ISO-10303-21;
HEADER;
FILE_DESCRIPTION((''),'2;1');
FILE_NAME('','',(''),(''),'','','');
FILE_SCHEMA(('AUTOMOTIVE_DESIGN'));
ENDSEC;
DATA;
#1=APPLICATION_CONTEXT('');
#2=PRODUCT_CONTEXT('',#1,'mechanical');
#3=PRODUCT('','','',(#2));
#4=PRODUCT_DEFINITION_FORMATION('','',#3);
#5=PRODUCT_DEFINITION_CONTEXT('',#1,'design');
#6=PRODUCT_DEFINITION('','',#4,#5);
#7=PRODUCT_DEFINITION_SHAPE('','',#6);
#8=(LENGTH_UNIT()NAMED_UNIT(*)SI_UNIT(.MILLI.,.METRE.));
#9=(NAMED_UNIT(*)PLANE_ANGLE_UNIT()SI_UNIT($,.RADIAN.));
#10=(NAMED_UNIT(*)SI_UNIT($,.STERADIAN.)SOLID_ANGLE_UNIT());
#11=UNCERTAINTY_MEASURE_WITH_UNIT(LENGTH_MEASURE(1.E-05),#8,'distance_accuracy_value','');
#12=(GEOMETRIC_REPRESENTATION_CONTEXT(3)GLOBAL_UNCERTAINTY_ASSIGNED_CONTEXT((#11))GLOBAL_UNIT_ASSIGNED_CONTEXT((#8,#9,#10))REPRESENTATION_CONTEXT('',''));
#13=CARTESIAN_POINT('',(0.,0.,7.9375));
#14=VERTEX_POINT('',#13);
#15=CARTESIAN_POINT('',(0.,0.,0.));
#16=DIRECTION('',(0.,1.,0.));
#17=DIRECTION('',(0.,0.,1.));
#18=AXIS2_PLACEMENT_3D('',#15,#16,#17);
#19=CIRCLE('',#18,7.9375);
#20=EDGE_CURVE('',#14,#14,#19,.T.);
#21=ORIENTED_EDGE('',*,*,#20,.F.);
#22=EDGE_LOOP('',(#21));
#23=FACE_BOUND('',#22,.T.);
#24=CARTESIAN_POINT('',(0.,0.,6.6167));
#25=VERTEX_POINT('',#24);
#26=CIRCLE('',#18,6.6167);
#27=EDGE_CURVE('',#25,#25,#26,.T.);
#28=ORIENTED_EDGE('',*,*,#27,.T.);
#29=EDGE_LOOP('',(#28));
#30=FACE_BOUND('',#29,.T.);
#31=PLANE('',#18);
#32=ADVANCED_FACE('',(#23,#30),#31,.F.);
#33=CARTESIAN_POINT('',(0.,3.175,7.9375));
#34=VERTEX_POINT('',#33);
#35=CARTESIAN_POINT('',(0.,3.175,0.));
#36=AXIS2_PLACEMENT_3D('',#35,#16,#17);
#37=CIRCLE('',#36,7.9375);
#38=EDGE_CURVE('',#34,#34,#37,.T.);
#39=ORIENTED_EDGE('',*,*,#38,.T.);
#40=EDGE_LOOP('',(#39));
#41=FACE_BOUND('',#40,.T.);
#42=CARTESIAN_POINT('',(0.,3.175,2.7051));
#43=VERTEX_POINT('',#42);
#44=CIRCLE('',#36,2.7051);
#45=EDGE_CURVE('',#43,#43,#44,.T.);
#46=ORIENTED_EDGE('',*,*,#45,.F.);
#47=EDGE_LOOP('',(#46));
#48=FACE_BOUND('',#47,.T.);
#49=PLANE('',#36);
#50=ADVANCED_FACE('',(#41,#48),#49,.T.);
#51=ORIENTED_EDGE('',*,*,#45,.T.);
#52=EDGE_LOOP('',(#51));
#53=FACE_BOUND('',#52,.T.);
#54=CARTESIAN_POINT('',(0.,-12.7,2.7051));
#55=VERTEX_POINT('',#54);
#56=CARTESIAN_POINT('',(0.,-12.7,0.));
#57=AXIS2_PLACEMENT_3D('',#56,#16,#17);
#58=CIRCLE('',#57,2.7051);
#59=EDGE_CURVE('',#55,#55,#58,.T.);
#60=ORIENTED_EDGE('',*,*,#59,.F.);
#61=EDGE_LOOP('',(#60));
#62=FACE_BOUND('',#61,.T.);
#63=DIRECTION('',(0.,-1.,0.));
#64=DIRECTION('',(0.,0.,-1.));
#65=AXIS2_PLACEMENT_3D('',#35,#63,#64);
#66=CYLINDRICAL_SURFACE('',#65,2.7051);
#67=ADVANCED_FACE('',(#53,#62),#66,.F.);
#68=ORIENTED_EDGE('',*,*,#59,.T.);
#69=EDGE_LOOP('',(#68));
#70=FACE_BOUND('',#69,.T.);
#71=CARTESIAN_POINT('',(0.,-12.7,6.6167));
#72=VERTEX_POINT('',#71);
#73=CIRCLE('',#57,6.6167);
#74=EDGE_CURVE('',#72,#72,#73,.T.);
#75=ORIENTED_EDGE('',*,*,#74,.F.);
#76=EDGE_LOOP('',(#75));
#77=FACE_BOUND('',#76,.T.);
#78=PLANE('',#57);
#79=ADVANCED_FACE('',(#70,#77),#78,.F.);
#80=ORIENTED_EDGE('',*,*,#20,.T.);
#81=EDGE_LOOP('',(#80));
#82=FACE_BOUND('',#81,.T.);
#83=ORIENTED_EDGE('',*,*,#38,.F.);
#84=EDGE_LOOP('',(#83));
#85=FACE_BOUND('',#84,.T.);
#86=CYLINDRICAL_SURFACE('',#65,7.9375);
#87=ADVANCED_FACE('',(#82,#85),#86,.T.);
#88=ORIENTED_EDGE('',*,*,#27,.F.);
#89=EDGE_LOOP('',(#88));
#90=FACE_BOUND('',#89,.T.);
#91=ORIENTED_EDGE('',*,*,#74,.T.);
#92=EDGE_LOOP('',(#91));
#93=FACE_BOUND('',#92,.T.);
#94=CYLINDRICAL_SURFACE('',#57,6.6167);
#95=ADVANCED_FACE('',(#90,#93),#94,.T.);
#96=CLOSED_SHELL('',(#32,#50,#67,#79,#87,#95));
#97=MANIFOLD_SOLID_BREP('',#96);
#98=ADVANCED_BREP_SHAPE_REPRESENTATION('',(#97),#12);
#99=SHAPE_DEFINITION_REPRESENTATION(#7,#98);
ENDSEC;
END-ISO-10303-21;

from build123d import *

# Parameters (mm, degrees)
SKETCH1_R           = 7.9375
SKETCH1_R_2         = 2.7051
BOSS_EXTRUDE1_DEPTH = 3.175
BOSS_EXTRUDE2_START = -12.7
SKETCH1_3_R         = 6.6167
SKETCH1_3_R_2       = 2.7051
BOSS_EXTRUDE2_DEPTH = 12.7


with BuildPart() as part:
    # Sketch1 → Boss-Extrude1 (new body)
    with BuildSketch(Plane(origin=(0, 0, 0), x_dir=(1, 0, 0), z_dir=(0, 1, 0))):
        Circle(SKETCH1_R)
        Circle(SKETCH1_R_2, mode=Mode.SUBTRACT)
    extrude(amount=BOSS_EXTRUDE1_DEPTH)

    # Sketch1<3> → Boss-Extrude2 (add)
    with BuildSketch(Plane(origin=(0, 0, 0), x_dir=(1, 0, 0), z_dir=(0, 1, 0)).offset(BOSS_EXTRUDE2_START)):
        Circle(SKETCH1_3_R)
        Circle(SKETCH1_3_R_2, mode=Mode.SUBTRACT)
    extrude(amount=BOSS_EXTRUDE2_DEPTH)


solid = part.part
